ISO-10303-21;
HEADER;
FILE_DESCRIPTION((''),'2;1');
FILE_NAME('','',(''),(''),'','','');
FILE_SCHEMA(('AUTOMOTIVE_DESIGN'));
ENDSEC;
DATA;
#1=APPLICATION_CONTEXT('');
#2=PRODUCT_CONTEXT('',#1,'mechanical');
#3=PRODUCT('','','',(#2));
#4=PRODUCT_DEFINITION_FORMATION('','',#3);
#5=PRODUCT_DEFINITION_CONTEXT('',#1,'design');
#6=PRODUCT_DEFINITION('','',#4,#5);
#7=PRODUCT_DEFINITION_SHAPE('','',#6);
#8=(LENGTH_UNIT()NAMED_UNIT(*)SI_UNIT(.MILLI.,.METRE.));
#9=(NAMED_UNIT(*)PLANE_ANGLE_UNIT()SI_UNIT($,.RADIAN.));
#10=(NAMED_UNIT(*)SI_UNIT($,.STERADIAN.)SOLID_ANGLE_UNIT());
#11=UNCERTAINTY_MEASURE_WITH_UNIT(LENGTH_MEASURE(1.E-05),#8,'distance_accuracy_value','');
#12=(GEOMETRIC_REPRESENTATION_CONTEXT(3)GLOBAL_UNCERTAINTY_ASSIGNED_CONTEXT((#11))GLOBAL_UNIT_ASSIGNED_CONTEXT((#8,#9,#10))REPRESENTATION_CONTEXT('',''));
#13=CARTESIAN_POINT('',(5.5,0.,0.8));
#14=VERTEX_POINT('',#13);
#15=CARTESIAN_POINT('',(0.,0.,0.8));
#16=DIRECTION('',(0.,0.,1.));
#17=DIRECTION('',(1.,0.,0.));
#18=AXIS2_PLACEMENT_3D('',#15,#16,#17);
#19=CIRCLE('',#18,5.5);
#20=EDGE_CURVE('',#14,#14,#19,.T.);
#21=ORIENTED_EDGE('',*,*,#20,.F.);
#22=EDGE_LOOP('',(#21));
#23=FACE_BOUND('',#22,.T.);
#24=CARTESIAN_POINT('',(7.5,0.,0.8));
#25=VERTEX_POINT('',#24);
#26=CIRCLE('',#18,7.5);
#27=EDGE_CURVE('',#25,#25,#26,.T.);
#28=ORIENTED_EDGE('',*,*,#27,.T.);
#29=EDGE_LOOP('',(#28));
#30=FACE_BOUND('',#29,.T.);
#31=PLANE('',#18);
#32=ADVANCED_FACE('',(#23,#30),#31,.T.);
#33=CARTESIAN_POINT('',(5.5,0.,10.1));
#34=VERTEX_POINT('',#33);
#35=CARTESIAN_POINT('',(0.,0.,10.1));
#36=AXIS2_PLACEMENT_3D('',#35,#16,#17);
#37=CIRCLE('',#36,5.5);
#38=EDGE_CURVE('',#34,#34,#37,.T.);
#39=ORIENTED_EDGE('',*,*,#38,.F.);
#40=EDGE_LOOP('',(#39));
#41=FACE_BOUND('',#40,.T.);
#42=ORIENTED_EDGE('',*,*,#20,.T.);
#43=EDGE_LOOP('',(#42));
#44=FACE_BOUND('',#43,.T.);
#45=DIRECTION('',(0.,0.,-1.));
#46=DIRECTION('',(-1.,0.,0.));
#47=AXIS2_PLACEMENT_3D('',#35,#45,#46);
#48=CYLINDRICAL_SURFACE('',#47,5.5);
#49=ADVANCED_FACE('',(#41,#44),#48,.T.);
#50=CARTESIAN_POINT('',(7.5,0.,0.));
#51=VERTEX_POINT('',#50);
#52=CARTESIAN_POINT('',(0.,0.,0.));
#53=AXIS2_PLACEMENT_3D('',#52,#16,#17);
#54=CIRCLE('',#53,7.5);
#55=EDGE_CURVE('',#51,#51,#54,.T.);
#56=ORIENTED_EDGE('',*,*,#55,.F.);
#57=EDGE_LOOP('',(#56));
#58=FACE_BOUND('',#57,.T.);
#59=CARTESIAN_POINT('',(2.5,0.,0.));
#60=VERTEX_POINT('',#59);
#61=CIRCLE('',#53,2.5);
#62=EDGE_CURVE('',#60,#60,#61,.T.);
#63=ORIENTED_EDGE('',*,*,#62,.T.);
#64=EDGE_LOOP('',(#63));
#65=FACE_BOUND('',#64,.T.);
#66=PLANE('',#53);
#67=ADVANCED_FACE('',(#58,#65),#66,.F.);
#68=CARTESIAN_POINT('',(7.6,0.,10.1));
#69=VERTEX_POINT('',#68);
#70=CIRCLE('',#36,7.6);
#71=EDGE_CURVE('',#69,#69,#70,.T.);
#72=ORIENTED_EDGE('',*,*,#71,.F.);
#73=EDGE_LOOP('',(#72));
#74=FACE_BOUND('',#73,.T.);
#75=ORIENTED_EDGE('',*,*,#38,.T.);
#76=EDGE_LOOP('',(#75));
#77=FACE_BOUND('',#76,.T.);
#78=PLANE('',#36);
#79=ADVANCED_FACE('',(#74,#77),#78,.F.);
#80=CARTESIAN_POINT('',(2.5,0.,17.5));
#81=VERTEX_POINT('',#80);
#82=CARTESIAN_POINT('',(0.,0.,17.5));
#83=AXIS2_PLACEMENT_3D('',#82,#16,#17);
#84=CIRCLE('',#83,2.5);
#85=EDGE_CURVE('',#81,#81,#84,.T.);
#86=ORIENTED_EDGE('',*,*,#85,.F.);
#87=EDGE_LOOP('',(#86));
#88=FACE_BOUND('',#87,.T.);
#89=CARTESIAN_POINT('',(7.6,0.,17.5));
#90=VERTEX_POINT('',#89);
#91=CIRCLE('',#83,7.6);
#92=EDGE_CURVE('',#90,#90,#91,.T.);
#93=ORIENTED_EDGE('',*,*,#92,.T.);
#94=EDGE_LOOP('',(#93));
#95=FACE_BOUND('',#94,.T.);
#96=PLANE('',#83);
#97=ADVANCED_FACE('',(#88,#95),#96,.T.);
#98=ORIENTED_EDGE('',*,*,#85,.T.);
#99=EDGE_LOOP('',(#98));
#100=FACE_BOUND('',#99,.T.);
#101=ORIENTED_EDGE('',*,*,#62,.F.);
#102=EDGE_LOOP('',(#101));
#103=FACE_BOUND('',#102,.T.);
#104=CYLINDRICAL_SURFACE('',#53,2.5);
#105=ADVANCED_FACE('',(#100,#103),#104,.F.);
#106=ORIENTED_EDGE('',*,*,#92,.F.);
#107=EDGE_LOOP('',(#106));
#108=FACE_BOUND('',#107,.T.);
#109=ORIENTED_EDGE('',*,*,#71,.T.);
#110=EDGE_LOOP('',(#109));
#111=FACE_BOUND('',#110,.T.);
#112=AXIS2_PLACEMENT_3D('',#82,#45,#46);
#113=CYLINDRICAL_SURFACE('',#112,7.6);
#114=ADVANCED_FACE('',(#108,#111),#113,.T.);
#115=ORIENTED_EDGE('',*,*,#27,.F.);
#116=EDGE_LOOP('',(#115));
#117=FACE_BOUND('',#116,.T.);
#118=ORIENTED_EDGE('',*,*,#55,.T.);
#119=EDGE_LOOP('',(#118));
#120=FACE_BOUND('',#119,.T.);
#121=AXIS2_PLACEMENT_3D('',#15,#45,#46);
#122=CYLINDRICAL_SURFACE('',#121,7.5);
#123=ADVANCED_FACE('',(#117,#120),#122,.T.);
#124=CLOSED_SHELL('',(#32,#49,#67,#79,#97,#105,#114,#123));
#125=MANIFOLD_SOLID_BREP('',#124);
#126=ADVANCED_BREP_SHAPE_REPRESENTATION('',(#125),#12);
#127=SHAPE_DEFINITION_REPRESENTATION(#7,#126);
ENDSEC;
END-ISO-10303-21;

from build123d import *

# Parameters (mm, degrees)
SKETCH_1_R          = 7.5
EXTRUDE_1_DEPTH     = 0.8
SKETCH_2_R          = 5.5
EXTRUDE_2_DEPTH     = 9.3
SKETCH_3_R          = 7.6
EXTRUDE_3_DEPTH     = 7.4
SKETCH_4_R          = 2.5
CUT_EXTRUDE_1_DEPTH = 21.537039709


with BuildPart() as part:
    # Эскиз1 → Бобышка-Вытянуть1 (new body)
    with BuildSketch(Plane.XY):
        Circle(SKETCH_1_R)
    extrude(amount=EXTRUDE_1_DEPTH)

    # Эскиз2 → Бобышка-Вытянуть2 (add)
    with BuildSketch(Plane.XY.offset(0.8)):
        Circle(SKETCH_2_R)
    extrude(amount=EXTRUDE_2_DEPTH)

    # Эскиз3 → Бобышка-Вытянуть3 (add)
    with BuildSketch(Plane.XY.offset(10.1)):
        Circle(SKETCH_3_R)
    extrude(amount=EXTRUDE_3_DEPTH)

    # Эскиз4 → Вырез-Вытянуть1 (cut, through all)
    with BuildSketch(Plane.XY.offset(17.5)):
        Circle(SKETCH_4_R)
    extrude(amount=-CUT_EXTRUDE_1_DEPTH, mode=Mode.SUBTRACT)


solid = part.part
